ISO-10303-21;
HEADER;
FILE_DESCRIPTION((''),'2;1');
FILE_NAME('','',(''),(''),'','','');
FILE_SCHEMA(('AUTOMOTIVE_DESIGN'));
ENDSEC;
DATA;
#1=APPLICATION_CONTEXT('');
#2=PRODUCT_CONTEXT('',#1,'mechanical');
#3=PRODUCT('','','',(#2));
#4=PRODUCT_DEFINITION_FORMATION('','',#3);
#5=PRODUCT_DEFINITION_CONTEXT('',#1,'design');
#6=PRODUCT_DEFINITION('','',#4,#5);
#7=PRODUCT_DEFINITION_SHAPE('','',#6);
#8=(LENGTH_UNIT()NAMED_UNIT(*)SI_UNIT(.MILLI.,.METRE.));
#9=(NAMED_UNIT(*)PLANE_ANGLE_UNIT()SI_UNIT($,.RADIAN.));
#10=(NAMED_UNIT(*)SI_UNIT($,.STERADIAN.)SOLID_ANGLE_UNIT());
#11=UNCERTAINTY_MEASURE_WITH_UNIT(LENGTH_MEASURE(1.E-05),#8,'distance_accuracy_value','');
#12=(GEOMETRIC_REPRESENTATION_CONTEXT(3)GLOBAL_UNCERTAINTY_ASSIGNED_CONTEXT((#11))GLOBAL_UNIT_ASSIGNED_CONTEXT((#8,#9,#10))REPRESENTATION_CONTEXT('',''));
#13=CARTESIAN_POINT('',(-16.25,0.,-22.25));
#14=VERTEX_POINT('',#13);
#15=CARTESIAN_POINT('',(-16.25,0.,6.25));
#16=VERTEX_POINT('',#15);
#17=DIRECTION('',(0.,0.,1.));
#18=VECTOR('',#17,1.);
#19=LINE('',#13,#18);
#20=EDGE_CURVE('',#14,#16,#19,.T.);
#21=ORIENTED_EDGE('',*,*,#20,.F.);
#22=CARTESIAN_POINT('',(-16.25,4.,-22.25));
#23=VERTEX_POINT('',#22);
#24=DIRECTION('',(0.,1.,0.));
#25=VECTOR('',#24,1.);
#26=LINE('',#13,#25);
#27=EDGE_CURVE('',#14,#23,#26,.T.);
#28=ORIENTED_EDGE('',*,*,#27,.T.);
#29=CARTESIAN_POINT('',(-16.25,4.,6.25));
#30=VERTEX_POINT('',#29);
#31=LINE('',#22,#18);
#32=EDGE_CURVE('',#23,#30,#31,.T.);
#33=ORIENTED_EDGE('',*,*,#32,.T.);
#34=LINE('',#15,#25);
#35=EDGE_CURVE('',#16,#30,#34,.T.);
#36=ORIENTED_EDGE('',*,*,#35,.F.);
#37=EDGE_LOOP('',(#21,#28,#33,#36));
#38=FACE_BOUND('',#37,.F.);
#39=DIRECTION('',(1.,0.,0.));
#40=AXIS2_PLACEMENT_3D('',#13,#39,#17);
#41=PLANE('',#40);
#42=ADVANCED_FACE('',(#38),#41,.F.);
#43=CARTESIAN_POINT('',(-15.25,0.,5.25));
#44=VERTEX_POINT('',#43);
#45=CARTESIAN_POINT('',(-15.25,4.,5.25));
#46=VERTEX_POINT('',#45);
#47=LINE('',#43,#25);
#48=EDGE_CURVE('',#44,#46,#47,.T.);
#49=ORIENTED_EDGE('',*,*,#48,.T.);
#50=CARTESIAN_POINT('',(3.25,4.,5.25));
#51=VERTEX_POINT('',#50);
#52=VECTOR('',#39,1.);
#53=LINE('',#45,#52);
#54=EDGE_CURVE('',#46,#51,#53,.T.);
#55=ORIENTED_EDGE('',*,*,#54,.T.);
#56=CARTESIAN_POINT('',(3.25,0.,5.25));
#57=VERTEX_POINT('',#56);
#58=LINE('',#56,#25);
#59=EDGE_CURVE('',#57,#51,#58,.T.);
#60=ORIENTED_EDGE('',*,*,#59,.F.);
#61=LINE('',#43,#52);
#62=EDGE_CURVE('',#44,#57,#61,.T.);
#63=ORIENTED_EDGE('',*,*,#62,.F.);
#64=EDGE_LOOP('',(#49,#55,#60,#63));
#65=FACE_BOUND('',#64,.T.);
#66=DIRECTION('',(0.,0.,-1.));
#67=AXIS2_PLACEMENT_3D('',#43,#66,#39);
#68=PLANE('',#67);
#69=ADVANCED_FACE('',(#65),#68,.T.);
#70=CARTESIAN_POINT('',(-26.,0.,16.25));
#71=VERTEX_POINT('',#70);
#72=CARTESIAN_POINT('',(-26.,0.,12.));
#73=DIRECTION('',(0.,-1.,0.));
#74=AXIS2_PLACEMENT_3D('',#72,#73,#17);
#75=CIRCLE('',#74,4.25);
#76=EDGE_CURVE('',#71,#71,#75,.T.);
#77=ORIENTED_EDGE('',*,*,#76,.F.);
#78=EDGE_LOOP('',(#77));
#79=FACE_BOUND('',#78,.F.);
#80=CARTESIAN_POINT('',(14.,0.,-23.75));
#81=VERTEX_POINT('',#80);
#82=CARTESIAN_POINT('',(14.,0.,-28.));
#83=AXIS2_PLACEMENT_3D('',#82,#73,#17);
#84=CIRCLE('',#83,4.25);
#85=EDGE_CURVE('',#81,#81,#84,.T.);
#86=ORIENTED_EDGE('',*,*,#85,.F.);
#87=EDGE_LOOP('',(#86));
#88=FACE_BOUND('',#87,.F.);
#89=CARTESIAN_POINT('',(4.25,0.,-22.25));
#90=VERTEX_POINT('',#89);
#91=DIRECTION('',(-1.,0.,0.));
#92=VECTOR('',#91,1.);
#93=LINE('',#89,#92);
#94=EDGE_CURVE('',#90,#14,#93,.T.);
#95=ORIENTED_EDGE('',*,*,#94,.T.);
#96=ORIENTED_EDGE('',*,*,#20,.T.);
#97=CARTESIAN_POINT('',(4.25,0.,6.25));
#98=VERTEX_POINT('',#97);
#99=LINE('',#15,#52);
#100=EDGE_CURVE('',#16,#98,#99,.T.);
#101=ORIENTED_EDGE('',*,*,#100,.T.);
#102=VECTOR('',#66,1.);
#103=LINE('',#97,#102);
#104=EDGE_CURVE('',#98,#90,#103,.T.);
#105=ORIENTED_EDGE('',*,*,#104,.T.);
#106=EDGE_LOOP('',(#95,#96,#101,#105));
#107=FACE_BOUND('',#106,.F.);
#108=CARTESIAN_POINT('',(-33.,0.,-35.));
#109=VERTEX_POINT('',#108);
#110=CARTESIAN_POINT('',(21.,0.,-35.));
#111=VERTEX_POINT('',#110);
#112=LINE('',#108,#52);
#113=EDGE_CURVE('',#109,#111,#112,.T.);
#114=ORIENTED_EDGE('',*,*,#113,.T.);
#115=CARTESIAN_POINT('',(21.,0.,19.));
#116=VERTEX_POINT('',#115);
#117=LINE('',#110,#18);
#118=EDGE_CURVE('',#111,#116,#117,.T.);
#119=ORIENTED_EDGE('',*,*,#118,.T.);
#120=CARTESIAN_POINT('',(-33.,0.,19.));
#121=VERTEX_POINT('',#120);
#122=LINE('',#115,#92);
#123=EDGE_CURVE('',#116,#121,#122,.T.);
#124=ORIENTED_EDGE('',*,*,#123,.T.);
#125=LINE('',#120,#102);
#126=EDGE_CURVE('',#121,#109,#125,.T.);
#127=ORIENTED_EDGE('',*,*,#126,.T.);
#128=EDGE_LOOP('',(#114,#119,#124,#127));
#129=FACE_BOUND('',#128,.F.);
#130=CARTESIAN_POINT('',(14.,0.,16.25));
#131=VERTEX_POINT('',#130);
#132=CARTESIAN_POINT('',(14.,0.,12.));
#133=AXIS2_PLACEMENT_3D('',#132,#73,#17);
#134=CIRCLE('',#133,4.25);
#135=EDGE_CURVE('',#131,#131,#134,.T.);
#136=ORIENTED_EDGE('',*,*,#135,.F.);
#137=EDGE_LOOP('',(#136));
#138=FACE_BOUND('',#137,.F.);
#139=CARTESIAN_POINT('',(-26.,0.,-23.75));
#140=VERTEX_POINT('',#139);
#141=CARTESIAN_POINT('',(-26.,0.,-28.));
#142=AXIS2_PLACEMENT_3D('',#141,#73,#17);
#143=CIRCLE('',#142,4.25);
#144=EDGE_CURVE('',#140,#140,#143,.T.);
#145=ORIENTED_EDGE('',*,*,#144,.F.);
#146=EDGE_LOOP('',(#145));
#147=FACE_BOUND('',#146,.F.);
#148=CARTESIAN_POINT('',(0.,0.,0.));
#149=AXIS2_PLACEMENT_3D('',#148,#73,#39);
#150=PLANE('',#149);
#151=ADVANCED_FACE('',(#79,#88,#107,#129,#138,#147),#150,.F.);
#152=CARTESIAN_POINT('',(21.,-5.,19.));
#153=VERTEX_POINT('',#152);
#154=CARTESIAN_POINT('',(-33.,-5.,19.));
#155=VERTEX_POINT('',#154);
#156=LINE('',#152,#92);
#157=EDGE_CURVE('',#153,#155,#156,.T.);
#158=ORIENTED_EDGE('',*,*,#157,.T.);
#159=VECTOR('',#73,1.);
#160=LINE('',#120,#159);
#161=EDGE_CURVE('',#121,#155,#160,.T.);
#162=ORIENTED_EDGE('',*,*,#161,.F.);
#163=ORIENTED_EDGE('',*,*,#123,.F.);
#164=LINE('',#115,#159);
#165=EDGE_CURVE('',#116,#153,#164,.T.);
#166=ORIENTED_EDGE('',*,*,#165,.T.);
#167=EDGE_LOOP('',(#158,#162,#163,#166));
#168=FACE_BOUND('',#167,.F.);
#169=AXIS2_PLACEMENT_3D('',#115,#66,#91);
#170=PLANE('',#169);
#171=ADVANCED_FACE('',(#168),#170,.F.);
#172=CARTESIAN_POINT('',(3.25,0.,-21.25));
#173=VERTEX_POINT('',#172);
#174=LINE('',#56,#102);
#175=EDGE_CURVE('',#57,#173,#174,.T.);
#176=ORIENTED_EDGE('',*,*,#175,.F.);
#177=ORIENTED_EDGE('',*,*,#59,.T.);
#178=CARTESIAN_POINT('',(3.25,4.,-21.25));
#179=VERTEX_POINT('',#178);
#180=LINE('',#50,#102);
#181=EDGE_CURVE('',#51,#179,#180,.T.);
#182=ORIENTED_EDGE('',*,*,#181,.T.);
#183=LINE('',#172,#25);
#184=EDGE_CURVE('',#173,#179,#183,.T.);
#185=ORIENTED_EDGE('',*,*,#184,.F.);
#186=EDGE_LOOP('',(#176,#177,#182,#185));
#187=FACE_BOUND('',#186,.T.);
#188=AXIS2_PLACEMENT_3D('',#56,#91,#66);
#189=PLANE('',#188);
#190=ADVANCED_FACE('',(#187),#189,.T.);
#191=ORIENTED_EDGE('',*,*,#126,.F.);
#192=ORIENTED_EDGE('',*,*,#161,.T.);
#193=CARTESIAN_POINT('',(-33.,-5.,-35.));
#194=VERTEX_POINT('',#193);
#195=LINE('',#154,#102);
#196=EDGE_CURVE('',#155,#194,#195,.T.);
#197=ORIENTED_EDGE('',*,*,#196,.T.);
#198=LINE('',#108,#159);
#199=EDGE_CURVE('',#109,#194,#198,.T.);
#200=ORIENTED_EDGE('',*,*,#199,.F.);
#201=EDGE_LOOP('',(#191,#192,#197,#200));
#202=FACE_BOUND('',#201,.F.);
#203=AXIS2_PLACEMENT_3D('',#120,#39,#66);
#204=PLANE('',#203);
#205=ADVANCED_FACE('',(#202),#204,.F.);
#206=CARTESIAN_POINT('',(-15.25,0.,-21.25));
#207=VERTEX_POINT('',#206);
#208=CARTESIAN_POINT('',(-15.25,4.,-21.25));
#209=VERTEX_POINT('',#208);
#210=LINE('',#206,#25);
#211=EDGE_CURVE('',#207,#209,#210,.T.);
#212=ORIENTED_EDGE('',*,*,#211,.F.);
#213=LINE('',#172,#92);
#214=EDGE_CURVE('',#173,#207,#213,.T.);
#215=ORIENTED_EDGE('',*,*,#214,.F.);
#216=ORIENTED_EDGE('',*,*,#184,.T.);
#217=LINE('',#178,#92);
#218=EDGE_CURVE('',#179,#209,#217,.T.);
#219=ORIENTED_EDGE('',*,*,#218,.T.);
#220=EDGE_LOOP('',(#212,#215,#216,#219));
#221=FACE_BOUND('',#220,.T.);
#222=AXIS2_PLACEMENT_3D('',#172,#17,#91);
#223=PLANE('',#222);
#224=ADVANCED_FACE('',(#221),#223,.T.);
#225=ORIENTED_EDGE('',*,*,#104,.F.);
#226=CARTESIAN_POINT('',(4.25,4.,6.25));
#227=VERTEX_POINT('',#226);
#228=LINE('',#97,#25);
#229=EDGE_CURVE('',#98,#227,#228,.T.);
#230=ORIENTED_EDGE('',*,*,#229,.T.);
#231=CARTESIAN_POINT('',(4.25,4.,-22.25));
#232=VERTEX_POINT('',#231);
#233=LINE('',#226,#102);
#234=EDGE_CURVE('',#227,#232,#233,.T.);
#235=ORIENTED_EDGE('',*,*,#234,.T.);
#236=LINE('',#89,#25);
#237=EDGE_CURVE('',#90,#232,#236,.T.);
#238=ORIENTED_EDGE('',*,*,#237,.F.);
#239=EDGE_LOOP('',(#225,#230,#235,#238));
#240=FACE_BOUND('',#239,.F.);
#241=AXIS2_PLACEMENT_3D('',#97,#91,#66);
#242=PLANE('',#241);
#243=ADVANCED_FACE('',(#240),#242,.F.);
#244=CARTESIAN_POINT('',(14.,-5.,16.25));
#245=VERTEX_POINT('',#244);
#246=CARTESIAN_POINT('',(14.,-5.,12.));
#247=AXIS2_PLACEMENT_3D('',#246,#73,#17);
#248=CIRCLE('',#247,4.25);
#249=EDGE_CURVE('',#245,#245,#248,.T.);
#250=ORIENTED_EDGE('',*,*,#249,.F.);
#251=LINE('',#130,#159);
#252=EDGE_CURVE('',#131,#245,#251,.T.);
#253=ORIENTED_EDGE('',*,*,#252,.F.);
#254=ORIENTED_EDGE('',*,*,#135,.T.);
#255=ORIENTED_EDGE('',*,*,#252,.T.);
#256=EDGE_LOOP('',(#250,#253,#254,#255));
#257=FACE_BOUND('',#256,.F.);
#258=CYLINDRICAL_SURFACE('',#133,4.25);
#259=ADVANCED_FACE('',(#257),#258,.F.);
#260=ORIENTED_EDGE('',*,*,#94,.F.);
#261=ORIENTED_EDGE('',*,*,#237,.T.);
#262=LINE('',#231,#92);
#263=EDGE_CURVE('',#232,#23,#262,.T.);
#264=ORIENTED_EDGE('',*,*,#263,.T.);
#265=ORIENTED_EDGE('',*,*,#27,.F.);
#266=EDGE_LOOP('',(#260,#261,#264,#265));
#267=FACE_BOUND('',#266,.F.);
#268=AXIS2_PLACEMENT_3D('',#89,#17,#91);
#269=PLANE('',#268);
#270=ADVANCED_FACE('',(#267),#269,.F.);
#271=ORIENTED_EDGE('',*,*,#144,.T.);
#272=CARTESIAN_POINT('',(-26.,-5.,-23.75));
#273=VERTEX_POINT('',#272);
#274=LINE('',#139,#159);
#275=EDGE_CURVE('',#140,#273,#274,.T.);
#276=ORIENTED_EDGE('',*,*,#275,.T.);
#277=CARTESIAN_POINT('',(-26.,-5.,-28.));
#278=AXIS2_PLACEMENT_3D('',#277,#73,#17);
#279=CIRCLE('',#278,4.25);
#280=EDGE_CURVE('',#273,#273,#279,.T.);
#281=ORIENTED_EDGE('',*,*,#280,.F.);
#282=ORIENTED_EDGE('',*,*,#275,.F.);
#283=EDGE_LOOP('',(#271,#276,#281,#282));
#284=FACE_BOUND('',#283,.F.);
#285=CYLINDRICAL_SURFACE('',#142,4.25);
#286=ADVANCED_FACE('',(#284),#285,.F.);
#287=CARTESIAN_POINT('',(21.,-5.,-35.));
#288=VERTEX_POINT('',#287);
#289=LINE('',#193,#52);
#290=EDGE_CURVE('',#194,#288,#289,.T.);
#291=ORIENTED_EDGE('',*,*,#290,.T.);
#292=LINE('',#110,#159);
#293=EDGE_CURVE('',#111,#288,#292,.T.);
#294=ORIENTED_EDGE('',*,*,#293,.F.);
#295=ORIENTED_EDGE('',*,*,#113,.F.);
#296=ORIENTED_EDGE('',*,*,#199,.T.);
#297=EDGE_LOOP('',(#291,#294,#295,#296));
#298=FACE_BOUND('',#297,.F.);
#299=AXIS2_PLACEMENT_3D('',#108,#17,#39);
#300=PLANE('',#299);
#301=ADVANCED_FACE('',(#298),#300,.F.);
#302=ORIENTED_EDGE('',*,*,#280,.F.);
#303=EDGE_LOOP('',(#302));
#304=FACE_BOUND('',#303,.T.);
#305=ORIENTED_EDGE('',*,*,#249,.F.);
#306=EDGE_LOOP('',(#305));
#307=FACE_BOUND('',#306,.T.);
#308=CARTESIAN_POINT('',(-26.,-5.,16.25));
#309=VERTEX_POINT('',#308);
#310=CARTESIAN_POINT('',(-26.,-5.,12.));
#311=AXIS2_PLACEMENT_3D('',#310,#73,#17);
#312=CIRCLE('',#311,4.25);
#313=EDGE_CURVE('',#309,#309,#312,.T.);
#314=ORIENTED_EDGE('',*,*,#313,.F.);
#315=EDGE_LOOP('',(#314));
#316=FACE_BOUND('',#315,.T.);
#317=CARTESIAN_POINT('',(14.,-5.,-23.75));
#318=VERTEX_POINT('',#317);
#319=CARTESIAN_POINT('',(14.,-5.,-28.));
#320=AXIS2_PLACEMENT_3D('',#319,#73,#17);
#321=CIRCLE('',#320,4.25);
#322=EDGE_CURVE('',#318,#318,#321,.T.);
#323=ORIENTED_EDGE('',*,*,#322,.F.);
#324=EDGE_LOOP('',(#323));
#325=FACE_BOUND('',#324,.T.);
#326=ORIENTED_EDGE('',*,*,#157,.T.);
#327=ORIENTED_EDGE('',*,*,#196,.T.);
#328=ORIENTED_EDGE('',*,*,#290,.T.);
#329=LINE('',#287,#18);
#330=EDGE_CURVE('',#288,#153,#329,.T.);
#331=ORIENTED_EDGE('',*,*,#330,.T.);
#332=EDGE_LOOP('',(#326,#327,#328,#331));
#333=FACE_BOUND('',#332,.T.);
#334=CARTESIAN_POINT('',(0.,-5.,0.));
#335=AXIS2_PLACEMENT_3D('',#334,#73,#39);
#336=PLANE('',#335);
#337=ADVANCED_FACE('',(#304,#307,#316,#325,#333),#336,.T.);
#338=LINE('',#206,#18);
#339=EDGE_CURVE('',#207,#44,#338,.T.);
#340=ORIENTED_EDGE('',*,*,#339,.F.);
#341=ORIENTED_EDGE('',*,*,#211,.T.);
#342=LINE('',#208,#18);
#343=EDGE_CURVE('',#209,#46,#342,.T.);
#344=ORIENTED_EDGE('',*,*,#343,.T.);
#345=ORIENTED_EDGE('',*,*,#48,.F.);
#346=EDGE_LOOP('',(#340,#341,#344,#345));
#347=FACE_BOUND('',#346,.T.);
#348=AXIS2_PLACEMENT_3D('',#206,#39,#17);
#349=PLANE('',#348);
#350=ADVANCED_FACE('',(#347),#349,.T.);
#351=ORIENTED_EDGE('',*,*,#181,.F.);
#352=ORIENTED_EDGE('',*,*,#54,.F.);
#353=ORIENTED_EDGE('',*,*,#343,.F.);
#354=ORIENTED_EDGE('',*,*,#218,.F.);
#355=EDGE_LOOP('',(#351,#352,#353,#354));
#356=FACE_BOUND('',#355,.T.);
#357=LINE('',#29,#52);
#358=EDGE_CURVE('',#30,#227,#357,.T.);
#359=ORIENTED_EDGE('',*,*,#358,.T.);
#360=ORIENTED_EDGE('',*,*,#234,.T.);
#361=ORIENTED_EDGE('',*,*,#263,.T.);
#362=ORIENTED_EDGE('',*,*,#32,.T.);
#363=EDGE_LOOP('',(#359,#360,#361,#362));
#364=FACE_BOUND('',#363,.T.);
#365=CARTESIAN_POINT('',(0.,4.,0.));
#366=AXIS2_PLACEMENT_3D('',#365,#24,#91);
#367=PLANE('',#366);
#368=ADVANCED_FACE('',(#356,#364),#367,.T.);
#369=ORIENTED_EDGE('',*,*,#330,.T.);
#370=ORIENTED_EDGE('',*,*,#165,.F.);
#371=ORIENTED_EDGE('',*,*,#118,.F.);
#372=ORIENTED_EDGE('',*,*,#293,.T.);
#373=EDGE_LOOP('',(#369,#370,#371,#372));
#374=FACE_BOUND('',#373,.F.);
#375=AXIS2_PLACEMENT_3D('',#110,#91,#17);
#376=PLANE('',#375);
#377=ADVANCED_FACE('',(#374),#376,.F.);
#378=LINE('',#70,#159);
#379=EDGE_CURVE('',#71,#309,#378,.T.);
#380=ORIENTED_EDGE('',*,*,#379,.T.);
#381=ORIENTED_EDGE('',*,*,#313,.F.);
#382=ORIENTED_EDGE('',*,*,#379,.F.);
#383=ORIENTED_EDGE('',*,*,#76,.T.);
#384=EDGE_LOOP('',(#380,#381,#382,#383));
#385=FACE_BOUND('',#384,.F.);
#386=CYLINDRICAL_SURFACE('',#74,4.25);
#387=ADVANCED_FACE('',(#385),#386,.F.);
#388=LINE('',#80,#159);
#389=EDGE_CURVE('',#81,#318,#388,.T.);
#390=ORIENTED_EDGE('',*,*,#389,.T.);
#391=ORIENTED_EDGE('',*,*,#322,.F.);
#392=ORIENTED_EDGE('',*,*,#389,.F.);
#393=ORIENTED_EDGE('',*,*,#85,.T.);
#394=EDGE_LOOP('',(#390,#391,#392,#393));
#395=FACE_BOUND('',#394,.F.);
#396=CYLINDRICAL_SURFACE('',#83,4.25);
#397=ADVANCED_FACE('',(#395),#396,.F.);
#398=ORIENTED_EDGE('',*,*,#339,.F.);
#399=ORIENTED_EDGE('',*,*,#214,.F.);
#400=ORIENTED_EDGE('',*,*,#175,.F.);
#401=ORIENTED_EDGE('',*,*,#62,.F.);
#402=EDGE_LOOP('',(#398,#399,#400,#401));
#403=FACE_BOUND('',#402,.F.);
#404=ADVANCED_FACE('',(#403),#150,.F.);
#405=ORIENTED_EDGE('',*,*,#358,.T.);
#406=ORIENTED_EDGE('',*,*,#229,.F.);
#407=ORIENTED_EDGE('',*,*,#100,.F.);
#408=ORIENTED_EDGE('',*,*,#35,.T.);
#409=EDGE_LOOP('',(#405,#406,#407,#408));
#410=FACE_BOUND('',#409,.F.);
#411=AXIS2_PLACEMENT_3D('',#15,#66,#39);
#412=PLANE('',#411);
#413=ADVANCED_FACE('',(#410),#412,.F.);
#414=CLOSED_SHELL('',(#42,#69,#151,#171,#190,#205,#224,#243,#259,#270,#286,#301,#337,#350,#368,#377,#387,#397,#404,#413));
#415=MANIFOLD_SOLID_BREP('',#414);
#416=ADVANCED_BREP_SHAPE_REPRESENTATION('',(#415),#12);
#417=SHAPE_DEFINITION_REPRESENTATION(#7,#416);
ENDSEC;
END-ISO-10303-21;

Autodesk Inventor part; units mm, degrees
ref_plane "YZ Plane" through (0, 0, 0) normal (1, 0, 0) x (0, 1, 0)
ref_plane "XZ Plane" through (0, 0, 0) normal (0, 1, 0) x (-1, 0, 0)
ref_plane "XY Plane" through (0, 0, 0) normal (0, 0, 1) x (1, 0, 0)
sketch "Skizze1" plane through (0, 0, 0) normal (0, 1, 0) x (-1, 0, 0)
  line L0 (0, 0) -> (12, 0)
  line L1 (12, 0) -> (12, -16)
  line L2 (12, -16) -> (0, -16)
  line L3 (0, -16) -> (0, 0)
  line L4 (17, 5) -> (17, -21)
  line L5 (-5, -21) -> (-5, 5)
  line L6 (-1, 1) -> (13, 1)
  line L7 (13, 1) -> (13, -17)
  line L8 (13, -17) -> (-1, -17)
  line L9 (-1, -17) -> (-1, 1)
  line L10 (1.75, -1.75) -> (10.25, -1.75)
  line L11 (10.25, -1.75) -> (10.25, -14.25)
  line L12 (10.25, -14.25) -> (1.75, -14.25)
  line L13 (1.75, -14.25) -> (1.75, -1.75)
  line L14 (0.75, -0.75) -> (11.25, -0.75)
  line L15 (11.25, -0.75) -> (11.25, -15.25)
  line L16 (11.25, -15.25) -> (0.75, -15.25)
  line L17 (0.75, -15.25) -> (0.75, -0.75)
  line L18 (15.25, 5.25) -> (-3.25, 5.25)
  line L19 (-3.25, 5.25) -> (-3.25, -21.25)
  line L20 (-3.25, -21.25) -> (15.25, -21.25)
  line L21 (15.25, -21.25) -> (15.25, 5.25)
  line L22 (16.25, 6.25) -> (-4.25, 6.25)
  line L23 (-4.25, 6.25) -> (-4.25, -22.25)
  line L24 (-4.25, -22.25) -> (16.25, -22.25)
  line L25 (16.25, -22.25) -> (16.25, 6.25)
  point P0 (6, 0)
  point P1 (6, 5)
  point P2 (6, -16)
  point P3 (12, -8)
  point P4 (6, -1.75)
  point P5 (6, -14.25)
  point P6 (10.25, -8)
  point P7 (1.75, -8)
  point P8 (6, -21.25)
  dimension "d0" = 16
  dimension "d1" = 12
  dimension "d2" = 5
  dimension "d3" = 5
  dimension "d56" = 1
  dimension "d57" = 1
  dimension "d58" = 1
  dimension "d60" = 1.75
  dimension "d61" = 1.75
  dimension "d63" = 8.5
  dimension "d64" = 1
  dimension "d65" = 1
  dimension "d67" = 1
  dimension "d69" = 12.5
  dimension "d70" = 1
  dimension "d71" = 1.75
  dimension "d72" = 1.75
  dimension "d74" = 7
  dimension "d76" = 7
  dimension "d77" = 5
  dimension "d78" = 5
  dimension "d80" = 1
  dimension "d81" = 1
  dimension "d82" = 1
  dimension "d83" = 1
ref_plane "Arbeitsebene1" through (0, 0, 0) normal (0, -1, 0) x (1, 0, 0)
sketch "Skizze2" plane through (0, 0, 0) normal (0, -1, 0) x (1, 0, 0)
  line L0 (21, 19) -> (-33, 19)
  line L1 (-33, 19) -> (-33, -35)
  line L2 (-33, -35) -> (21, -35)
  line L3 (21, -35) -> (21, 19)
  line L4 (-17, -21) -> (-17, 5) projected
  line L5 (5, -21) -> (-17, -21) projected
  line L6 (5, 5) -> (5, -21) projected
  line L7 (-17, 5) -> (5, 5) projected
  point P0 (0, 0)
  dimension "d11" = 16
  dimension "d12" = 14
  dimension "d13" = 16
  dimension "d14" = 14
  dimension "d35" = 54
  dimension "d36" = 54
extrude "Extrusion2" add sketch "Skizze2" along normal blind 5 contours L3 L2 L1 L0 | L4 L7 L6 L5
ref_plane "Arbeitsebene2" through (0, 0, 0) normal (0, 1, 0) x (1, 0, 0)
sketch "Skizze4" plane through (0, 0, 0) normal (0, 1, 0) x (1, 0, 0)
  line L0 (21, 35) -> (21, -19) projected
  line L1 (-33, 35) -> (21, 35) projected
  line L2 (21, -19) -> (-33, -19) projected
  line L3 (-33, -19) -> (-33, 35) projected
  point P0 (0, 0)
  point P1 (14, 28)
  point P2 (14, -12)
  point P3 (-26, -12)
  point P4 (-26, 28)
  dimension "d44" = 7
  dimension "d45" = 7
  dimension "d46" = 7
  dimension "d47" = 7
  dimension "d48" = 7
  dimension "d49" = 7
  dimension "d50" = 7
  dimension "d51" = 7
  dimension "d52" = 40
  dimension "d53" = 40
  dimension "d54" = 40
  dimension "d55" = 40
hole "Bohrung1" at (14, 0, -28) at (14, 0, 12) at (-26, 0, 12) at (-26, 0, -28) direction (0, -1, 0) diameter 8.5 depth 5
extrude "Extrusion4" add sketch "Skizze1" along normal blind 4 contours L25 L24 L23 L22
properties part number "Magazin_1_3D-Druck"
